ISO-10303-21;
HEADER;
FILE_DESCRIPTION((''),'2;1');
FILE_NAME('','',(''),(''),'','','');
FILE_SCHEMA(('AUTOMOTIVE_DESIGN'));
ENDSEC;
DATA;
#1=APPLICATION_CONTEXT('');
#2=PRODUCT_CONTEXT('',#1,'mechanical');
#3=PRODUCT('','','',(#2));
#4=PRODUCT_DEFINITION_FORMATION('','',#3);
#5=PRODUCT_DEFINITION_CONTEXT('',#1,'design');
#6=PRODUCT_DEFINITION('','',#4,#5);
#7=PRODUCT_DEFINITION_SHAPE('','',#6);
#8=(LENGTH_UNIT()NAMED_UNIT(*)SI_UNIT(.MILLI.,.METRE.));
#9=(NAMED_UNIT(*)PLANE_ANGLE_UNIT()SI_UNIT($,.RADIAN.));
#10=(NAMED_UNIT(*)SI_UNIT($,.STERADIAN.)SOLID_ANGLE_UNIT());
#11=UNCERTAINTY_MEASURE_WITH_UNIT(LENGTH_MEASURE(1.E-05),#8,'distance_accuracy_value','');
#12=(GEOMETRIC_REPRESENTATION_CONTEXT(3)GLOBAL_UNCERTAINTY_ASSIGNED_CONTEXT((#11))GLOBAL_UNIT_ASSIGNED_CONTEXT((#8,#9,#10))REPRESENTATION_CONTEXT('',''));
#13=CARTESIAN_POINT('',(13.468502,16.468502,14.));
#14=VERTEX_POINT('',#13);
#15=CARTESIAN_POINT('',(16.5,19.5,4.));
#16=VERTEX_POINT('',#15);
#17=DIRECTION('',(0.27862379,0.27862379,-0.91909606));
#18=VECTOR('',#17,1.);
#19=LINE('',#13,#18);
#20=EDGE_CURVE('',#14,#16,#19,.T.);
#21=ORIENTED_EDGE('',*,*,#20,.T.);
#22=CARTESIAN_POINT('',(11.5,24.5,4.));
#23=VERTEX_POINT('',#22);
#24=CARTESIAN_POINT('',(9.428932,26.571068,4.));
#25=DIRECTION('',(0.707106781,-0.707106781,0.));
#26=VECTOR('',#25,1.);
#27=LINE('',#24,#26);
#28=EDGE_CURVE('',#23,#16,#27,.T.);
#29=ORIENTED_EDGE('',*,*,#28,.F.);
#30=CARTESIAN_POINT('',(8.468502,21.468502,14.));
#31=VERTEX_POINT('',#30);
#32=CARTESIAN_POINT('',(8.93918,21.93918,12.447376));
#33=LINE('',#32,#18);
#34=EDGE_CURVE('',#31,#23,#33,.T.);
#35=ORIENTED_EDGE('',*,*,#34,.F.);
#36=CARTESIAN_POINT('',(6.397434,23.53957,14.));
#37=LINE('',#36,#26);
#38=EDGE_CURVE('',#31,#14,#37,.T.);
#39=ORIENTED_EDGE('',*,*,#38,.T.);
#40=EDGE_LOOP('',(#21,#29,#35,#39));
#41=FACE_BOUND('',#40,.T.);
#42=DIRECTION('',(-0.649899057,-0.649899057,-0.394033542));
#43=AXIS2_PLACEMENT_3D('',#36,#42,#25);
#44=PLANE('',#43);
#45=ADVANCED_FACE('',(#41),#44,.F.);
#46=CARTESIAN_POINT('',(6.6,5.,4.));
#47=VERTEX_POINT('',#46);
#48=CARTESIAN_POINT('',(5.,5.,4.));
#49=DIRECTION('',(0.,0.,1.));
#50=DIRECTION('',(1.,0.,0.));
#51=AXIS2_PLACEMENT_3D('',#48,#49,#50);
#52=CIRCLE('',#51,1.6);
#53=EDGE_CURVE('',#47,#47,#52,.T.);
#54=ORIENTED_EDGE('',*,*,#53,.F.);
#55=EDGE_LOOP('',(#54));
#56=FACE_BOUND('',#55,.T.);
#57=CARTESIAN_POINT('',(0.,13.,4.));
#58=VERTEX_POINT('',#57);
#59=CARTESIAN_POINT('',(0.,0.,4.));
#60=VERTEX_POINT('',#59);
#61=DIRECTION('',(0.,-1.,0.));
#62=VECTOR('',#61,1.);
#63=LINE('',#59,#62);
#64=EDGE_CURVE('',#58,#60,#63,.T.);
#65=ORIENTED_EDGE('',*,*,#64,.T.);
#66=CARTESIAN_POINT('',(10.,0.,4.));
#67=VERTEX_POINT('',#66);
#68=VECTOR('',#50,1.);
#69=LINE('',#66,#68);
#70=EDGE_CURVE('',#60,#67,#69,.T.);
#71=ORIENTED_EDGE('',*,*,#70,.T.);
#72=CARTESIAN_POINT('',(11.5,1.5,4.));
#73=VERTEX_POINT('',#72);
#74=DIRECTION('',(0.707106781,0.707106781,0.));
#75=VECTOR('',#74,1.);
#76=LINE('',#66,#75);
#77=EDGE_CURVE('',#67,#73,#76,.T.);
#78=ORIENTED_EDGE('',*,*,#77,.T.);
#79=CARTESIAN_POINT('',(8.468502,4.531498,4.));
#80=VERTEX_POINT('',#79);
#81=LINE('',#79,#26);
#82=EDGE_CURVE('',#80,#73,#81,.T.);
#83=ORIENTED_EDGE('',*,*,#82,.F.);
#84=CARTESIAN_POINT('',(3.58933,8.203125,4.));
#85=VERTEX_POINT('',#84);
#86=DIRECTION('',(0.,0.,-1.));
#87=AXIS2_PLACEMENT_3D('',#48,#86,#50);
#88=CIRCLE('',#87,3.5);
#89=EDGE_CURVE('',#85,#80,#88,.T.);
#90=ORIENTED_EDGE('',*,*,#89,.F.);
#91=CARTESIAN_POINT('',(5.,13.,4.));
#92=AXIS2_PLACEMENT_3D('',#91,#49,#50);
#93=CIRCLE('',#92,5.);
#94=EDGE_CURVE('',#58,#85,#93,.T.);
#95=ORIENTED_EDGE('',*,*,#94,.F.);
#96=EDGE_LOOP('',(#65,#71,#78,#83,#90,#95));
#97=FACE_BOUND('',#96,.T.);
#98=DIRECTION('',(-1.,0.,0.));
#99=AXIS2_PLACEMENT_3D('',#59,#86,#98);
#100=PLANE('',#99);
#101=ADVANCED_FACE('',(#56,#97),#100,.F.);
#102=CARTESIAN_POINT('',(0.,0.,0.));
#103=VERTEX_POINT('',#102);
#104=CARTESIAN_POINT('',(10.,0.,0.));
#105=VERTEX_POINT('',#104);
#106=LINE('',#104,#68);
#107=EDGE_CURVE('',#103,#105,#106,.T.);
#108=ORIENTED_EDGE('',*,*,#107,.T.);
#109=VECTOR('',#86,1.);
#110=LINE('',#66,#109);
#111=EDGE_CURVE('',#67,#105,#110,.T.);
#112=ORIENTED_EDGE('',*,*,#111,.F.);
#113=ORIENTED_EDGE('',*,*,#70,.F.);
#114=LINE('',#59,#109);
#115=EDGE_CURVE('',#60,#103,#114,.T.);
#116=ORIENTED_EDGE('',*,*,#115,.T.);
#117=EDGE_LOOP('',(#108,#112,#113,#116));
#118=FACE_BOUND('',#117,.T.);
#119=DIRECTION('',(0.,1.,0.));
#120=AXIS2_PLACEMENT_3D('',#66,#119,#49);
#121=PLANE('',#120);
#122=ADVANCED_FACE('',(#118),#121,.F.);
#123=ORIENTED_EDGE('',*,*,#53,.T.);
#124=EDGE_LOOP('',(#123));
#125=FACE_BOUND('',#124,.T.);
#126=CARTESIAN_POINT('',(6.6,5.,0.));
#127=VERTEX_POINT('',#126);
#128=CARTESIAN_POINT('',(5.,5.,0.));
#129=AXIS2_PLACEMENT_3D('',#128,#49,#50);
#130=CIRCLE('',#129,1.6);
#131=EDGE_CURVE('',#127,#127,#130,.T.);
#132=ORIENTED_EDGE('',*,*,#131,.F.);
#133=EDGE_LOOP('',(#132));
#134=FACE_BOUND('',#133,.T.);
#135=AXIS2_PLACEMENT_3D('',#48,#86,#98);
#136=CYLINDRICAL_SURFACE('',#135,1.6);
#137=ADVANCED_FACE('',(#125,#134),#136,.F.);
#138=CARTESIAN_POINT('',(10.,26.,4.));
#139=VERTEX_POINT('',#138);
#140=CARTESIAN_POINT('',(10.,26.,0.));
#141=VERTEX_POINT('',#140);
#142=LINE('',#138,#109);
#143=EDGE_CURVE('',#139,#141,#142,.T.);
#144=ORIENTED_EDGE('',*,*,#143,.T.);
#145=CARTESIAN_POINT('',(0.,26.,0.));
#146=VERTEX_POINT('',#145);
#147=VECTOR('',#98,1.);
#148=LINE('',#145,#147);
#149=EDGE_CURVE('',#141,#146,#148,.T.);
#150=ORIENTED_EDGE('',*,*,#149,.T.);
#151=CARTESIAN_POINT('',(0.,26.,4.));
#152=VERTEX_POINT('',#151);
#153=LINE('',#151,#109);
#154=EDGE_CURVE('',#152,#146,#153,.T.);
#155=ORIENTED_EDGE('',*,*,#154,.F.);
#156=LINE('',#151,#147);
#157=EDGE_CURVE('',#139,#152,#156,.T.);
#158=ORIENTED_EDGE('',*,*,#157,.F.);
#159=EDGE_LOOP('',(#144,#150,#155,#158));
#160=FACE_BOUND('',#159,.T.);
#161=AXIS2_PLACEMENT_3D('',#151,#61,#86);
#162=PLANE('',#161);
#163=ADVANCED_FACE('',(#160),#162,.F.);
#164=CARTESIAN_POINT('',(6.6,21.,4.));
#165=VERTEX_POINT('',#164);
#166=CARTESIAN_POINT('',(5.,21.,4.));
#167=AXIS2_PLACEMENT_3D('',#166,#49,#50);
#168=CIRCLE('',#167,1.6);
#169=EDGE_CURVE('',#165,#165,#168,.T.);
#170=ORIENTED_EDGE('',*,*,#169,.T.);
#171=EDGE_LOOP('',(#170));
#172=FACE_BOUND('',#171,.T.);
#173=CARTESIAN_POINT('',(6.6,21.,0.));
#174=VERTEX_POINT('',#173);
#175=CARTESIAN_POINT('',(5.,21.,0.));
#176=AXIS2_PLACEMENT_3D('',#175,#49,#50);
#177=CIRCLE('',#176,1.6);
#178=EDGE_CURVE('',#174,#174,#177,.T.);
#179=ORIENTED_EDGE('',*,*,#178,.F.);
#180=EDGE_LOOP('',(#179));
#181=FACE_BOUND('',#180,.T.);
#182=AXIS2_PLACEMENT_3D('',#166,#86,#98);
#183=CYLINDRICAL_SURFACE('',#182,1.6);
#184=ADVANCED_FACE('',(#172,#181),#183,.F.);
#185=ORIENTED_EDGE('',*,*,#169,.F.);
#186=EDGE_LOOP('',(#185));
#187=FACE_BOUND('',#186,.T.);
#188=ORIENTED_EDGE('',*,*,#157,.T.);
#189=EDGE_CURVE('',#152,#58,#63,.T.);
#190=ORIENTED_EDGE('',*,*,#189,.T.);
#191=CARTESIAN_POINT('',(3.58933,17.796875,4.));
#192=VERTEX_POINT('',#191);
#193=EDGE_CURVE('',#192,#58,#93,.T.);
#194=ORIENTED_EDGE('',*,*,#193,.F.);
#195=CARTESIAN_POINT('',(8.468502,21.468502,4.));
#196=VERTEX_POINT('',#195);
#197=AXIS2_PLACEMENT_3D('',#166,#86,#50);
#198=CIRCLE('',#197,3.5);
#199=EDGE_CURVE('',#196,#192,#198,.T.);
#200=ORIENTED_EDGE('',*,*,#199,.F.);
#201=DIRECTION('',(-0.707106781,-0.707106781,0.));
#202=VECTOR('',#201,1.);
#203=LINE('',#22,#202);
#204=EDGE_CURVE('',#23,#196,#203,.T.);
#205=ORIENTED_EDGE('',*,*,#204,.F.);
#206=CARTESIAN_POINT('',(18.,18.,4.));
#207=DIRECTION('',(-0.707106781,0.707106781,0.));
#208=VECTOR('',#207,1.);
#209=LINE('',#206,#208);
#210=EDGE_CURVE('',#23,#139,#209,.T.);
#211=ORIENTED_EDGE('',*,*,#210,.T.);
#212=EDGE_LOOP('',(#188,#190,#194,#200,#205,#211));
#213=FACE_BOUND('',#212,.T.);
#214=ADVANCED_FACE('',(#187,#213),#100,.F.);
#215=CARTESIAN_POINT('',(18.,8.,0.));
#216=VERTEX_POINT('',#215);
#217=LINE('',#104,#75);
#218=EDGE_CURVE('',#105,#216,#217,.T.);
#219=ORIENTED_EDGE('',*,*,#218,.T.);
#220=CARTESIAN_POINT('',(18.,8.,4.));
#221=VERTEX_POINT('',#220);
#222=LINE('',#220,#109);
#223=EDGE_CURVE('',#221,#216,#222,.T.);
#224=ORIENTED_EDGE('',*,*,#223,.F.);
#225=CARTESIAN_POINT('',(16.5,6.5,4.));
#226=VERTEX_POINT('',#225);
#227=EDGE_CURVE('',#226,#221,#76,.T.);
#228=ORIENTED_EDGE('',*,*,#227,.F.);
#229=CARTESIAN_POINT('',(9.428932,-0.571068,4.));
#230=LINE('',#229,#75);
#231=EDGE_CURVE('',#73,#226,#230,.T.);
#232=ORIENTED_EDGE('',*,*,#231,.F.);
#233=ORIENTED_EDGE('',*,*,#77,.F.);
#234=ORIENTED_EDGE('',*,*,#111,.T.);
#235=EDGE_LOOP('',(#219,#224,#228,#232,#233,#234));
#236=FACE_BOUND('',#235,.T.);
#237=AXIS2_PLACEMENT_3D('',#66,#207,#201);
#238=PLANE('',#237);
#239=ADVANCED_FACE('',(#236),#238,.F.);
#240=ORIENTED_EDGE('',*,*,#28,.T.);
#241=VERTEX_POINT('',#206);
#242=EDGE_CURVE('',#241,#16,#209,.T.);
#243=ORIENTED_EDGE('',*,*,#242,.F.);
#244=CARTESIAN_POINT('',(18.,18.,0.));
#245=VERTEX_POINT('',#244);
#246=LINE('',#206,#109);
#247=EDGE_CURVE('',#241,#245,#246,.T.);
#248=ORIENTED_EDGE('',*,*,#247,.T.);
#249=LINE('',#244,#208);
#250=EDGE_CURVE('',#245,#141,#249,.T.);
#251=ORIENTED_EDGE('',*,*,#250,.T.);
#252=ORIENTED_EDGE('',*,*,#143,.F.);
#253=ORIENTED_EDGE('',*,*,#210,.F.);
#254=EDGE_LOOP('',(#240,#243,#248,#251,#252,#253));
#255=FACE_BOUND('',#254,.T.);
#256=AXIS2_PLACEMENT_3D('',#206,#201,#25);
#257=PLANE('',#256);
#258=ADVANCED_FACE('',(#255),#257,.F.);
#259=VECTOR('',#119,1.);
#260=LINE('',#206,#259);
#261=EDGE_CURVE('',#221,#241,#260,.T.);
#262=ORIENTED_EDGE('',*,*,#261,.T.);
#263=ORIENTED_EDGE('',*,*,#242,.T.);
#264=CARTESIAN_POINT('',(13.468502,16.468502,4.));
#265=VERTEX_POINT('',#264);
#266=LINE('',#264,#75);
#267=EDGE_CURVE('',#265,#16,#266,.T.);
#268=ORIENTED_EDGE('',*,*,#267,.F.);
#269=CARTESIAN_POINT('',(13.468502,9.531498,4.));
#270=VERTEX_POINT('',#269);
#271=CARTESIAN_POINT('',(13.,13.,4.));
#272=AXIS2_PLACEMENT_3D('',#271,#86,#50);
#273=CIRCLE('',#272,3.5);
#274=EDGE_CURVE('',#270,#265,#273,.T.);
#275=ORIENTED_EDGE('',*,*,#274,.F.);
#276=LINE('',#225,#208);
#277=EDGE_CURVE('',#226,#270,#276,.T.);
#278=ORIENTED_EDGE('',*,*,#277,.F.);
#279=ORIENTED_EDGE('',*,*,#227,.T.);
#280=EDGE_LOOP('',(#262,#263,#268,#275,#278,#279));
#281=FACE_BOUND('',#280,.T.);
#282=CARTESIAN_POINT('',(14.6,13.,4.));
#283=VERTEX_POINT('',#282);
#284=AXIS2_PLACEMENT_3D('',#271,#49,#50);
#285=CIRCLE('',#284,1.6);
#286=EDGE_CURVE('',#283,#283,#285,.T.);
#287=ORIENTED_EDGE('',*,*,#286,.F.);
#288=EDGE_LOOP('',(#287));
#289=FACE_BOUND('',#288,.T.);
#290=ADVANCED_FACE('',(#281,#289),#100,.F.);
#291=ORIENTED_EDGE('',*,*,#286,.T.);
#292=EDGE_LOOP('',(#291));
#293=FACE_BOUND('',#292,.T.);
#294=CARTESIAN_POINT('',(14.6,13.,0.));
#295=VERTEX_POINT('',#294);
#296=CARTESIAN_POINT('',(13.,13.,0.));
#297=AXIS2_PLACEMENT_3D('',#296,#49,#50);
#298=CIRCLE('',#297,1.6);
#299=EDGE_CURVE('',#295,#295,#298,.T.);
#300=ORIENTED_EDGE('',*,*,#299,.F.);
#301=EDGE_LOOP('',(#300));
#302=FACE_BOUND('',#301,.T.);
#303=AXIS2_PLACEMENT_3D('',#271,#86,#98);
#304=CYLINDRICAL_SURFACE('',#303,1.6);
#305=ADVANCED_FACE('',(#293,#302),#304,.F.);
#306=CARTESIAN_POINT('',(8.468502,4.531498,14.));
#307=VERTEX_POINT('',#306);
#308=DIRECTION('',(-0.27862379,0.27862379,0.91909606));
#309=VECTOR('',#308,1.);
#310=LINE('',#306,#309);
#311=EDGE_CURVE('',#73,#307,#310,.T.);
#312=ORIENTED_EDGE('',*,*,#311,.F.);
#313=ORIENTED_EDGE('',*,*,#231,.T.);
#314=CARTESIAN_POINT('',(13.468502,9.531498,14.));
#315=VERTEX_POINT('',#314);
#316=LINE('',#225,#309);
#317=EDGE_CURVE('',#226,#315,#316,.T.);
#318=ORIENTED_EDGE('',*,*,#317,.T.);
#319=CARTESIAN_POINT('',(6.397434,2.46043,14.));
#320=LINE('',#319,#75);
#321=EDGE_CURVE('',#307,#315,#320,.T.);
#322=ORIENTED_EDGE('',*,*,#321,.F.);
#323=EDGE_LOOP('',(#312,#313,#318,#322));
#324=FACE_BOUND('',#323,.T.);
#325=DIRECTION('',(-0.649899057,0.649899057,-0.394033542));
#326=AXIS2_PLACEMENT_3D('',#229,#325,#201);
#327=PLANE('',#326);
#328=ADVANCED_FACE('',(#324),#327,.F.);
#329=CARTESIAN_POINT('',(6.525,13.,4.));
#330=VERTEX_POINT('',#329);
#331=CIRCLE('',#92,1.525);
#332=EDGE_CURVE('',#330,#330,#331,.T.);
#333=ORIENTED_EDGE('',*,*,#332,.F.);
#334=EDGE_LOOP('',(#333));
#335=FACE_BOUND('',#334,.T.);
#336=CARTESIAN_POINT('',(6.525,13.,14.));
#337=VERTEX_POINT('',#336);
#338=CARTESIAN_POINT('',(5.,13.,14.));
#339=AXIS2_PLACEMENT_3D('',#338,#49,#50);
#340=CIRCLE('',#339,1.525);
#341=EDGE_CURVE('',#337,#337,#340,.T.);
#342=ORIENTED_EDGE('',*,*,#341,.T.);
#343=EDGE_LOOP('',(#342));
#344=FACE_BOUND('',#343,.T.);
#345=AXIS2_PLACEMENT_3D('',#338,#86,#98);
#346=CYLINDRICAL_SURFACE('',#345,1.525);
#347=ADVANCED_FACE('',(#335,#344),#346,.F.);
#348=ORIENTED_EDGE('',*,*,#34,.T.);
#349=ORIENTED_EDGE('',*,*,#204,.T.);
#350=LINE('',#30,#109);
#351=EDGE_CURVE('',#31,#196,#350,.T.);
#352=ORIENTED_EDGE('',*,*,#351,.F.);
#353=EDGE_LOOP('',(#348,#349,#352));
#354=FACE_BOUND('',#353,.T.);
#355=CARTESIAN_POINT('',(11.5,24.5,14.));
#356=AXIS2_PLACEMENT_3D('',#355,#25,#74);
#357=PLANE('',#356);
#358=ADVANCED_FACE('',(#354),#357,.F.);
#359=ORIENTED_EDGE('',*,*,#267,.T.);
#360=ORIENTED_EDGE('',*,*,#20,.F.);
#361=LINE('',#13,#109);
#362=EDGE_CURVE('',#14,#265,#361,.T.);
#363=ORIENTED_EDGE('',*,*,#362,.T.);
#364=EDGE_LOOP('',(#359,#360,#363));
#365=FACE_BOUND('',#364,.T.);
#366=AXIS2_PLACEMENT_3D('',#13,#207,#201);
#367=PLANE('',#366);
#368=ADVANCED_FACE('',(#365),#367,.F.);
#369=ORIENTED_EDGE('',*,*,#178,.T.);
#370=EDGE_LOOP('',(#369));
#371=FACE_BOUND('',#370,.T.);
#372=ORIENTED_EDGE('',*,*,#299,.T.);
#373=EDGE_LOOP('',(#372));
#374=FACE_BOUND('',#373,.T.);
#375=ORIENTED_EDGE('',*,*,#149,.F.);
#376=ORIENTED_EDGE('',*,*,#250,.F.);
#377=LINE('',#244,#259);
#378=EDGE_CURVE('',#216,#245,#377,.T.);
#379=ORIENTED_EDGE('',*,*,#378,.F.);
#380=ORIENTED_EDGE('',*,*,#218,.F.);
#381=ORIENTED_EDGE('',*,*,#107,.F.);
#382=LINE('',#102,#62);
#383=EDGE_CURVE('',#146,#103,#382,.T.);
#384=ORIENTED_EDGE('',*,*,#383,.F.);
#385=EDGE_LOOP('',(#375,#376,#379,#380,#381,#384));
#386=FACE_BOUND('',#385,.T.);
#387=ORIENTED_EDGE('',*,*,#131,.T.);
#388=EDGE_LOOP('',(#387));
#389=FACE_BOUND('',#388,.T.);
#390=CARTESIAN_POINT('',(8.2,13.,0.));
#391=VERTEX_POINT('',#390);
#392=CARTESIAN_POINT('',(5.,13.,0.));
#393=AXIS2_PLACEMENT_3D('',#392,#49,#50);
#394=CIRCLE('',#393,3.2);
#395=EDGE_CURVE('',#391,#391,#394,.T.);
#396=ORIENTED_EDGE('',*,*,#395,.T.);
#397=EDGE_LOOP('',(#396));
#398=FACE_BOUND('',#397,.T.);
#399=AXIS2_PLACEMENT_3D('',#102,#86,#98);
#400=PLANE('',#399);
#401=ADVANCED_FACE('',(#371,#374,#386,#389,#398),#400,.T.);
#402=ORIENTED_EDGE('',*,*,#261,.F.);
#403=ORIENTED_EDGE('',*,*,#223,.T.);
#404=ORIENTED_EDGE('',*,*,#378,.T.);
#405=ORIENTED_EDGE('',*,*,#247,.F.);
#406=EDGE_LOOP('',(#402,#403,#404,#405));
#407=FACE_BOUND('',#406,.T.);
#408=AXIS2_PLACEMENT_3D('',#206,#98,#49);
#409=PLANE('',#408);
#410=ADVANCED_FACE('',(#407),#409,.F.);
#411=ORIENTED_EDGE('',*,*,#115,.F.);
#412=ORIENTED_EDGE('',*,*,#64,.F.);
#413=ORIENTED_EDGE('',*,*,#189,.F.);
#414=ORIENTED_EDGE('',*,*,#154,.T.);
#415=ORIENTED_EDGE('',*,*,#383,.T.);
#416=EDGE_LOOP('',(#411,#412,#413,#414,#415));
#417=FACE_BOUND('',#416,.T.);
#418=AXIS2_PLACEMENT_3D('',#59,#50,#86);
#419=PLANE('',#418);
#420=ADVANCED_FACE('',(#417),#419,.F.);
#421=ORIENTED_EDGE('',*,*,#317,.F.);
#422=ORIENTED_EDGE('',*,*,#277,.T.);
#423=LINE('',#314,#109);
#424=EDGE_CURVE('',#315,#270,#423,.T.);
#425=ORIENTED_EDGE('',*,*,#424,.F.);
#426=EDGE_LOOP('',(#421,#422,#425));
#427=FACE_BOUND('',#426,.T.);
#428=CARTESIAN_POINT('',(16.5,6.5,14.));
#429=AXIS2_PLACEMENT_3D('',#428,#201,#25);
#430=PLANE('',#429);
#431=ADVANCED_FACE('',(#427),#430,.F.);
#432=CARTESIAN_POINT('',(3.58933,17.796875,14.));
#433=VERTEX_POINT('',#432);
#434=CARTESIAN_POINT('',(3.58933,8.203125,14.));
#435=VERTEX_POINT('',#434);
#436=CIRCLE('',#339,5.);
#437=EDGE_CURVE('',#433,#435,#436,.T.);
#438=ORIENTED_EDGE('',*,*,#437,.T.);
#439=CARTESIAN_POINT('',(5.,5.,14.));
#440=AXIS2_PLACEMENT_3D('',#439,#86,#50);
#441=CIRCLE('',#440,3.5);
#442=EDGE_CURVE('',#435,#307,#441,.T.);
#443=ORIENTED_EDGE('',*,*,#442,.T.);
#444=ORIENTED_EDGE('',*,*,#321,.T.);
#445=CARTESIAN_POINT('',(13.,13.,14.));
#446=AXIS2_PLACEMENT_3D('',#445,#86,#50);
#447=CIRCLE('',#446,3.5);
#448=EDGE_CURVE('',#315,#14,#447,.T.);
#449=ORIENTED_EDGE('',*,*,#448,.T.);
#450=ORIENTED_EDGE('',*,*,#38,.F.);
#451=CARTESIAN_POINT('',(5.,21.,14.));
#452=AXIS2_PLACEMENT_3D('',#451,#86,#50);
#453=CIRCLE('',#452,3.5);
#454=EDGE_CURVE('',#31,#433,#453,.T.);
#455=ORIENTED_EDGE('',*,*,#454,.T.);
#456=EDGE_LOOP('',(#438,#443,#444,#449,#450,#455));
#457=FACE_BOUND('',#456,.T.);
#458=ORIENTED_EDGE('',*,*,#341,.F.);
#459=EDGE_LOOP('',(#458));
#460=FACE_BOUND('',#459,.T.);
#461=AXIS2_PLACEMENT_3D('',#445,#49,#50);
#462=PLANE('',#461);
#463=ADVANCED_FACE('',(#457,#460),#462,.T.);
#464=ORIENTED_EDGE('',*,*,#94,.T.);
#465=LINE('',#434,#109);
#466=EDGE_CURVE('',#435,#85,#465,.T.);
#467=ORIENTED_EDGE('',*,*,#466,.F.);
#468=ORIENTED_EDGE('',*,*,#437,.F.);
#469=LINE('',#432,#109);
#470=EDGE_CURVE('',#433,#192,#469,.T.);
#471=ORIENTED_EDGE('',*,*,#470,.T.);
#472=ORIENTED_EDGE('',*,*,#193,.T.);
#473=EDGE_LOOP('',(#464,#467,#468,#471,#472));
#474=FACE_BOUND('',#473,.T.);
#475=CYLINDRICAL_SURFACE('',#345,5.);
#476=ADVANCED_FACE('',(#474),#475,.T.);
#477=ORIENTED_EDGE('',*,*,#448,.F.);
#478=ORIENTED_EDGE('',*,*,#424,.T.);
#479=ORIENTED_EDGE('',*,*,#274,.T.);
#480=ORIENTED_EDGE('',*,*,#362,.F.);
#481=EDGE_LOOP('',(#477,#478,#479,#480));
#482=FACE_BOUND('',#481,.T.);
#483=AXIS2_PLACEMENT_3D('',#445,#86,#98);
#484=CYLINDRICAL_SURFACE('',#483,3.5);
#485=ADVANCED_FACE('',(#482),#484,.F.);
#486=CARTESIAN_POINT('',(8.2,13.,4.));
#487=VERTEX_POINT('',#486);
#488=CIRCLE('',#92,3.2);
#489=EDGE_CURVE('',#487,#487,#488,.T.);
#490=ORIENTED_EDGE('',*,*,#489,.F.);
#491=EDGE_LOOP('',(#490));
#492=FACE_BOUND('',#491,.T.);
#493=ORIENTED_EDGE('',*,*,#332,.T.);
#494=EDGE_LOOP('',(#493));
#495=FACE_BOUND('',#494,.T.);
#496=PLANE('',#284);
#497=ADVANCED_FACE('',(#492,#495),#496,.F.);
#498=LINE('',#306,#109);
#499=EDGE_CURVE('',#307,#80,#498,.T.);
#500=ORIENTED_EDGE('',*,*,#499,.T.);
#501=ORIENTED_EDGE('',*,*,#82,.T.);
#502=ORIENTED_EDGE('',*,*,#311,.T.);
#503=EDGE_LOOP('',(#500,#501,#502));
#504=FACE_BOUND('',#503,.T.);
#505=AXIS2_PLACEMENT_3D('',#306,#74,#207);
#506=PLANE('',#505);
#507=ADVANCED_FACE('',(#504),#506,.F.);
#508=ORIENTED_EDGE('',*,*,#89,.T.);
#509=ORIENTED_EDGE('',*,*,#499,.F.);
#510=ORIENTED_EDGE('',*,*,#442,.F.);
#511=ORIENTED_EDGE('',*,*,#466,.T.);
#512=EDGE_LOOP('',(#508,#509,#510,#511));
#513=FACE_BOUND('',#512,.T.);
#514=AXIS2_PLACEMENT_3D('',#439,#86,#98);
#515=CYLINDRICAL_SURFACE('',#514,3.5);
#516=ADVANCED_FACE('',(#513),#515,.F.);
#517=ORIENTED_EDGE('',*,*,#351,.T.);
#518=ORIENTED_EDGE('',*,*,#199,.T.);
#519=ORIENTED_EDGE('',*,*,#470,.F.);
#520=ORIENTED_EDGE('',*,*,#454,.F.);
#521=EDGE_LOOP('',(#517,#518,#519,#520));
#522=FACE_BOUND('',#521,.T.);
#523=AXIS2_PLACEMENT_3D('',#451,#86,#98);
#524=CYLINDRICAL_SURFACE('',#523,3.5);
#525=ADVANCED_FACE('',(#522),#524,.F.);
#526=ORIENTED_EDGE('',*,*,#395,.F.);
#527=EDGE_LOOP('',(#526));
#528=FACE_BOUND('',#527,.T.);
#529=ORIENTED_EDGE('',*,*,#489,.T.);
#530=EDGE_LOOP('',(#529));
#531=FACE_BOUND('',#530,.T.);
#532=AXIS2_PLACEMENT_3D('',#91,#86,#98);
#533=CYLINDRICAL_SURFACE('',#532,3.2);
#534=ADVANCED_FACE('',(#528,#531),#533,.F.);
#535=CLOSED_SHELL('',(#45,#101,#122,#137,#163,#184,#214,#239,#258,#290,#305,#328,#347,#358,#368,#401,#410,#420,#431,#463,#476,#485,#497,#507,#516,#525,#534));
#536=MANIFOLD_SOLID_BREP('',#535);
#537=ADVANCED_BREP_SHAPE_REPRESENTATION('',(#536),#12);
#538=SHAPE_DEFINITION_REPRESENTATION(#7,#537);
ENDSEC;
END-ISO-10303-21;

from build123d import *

# Parameters (mm, degrees)
SKETCH_1_R          = 1.6
SKETCH_1_R_2        = 3.2
EXTRUDE_1_DEPTH     = 4
SKETCH_2_R          = 1.525
EXTRUDE_2_DEPTH     = 10
CUT_EXTRUDE_1_DEPTH = 10
CUT_EXTRUDE_2_DEPTH = 10


with BuildPart() as part:
    # 草图1 → 凸台-拉伸1 (new body)
    with BuildSketch(Plane.XY):
        Polygon((0, 0), (0, 26), (10, 26), (18, 18), (18, 8), (10, 0), align=None)
        with Locations((5, 21)):
            Circle(SKETCH_1_R, mode=Mode.SUBTRACT)
        with Locations((5, 13)):
            Circle(SKETCH_1_R_2, mode=Mode.SUBTRACT)
        with Locations((5, 5)):
            Circle(SKETCH_1_R, mode=Mode.SUBTRACT)
        with Locations((13, 13)):
            Circle(SKETCH_1_R, mode=Mode.SUBTRACT)
    extrude(amount=EXTRUDE_1_DEPTH)

    # 草图2 → 凸台-拉伸2 (add)
    with BuildSketch(Plane.XY.offset(4)):
        with BuildLine():
            Line((13.468501969, 16.468501969), (16.5, 19.5))
            Line((16.5, 19.5), (11.5, 24.5))
            Line((11.5, 24.5), (8.468501969, 21.468501969))
            ThreePointArc((8.468501969, 21.468501969), (7.104490226, 18.203373302), (3.589329863, 17.796875))
            ThreePointArc((3.589329863, 17.796875), (0, 13), (3.589329863, 8.203125))
            ThreePointArc((3.589329863, 8.203125), (7.104490226, 7.796626698), (8.468501969, 4.531498031))
            Line((8.468501969, 4.531498031), (11.5, 1.5))
            Line((11.5, 1.5), (16.5, 6.5))
            Line((16.5, 6.5), (13.468501969, 9.531498031))
            ThreePointArc((13.468501969, 9.531498031), (9.5, 13), (13.468501969, 16.468501969))
        make_face()
        with Locations((5, 13)):
            Circle(SKETCH_2_R, mode=Mode.SUBTRACT)
    extrude(amount=EXTRUDE_2_DEPTH)

    # 草图3 → 切除-拉伸1 (cut)
    with BuildSketch(Plane(origin=(-1.5, 1.5, 0), x_dir=(0, 0, -1), z_dir=(0.7071067811865477, -0.7071067811865475, 0))):
        Polygon((-4, 25.455844123), (-14, 25.455844123), (-14, 21.168658492), align=None)
    extrude(amount=-CUT_EXTRUDE_1_DEPTH, mode=Mode.SUBTRACT)

    # 草图4 → 切除-拉伸2 (cut)
    with BuildSketch(Plane(origin=(11.5, 11.5, 0), x_dir=(0, 0, -1), z_dir=(0.7071067811865474, 0.7071067811865477, 0))):
        Polygon((-4, -7.071067812), (-14, -2.783882181), (-14, -7.071067812), align=None)
    extrude(amount=-CUT_EXTRUDE_2_DEPTH, mode=Mode.SUBTRACT)


solid = part.part
